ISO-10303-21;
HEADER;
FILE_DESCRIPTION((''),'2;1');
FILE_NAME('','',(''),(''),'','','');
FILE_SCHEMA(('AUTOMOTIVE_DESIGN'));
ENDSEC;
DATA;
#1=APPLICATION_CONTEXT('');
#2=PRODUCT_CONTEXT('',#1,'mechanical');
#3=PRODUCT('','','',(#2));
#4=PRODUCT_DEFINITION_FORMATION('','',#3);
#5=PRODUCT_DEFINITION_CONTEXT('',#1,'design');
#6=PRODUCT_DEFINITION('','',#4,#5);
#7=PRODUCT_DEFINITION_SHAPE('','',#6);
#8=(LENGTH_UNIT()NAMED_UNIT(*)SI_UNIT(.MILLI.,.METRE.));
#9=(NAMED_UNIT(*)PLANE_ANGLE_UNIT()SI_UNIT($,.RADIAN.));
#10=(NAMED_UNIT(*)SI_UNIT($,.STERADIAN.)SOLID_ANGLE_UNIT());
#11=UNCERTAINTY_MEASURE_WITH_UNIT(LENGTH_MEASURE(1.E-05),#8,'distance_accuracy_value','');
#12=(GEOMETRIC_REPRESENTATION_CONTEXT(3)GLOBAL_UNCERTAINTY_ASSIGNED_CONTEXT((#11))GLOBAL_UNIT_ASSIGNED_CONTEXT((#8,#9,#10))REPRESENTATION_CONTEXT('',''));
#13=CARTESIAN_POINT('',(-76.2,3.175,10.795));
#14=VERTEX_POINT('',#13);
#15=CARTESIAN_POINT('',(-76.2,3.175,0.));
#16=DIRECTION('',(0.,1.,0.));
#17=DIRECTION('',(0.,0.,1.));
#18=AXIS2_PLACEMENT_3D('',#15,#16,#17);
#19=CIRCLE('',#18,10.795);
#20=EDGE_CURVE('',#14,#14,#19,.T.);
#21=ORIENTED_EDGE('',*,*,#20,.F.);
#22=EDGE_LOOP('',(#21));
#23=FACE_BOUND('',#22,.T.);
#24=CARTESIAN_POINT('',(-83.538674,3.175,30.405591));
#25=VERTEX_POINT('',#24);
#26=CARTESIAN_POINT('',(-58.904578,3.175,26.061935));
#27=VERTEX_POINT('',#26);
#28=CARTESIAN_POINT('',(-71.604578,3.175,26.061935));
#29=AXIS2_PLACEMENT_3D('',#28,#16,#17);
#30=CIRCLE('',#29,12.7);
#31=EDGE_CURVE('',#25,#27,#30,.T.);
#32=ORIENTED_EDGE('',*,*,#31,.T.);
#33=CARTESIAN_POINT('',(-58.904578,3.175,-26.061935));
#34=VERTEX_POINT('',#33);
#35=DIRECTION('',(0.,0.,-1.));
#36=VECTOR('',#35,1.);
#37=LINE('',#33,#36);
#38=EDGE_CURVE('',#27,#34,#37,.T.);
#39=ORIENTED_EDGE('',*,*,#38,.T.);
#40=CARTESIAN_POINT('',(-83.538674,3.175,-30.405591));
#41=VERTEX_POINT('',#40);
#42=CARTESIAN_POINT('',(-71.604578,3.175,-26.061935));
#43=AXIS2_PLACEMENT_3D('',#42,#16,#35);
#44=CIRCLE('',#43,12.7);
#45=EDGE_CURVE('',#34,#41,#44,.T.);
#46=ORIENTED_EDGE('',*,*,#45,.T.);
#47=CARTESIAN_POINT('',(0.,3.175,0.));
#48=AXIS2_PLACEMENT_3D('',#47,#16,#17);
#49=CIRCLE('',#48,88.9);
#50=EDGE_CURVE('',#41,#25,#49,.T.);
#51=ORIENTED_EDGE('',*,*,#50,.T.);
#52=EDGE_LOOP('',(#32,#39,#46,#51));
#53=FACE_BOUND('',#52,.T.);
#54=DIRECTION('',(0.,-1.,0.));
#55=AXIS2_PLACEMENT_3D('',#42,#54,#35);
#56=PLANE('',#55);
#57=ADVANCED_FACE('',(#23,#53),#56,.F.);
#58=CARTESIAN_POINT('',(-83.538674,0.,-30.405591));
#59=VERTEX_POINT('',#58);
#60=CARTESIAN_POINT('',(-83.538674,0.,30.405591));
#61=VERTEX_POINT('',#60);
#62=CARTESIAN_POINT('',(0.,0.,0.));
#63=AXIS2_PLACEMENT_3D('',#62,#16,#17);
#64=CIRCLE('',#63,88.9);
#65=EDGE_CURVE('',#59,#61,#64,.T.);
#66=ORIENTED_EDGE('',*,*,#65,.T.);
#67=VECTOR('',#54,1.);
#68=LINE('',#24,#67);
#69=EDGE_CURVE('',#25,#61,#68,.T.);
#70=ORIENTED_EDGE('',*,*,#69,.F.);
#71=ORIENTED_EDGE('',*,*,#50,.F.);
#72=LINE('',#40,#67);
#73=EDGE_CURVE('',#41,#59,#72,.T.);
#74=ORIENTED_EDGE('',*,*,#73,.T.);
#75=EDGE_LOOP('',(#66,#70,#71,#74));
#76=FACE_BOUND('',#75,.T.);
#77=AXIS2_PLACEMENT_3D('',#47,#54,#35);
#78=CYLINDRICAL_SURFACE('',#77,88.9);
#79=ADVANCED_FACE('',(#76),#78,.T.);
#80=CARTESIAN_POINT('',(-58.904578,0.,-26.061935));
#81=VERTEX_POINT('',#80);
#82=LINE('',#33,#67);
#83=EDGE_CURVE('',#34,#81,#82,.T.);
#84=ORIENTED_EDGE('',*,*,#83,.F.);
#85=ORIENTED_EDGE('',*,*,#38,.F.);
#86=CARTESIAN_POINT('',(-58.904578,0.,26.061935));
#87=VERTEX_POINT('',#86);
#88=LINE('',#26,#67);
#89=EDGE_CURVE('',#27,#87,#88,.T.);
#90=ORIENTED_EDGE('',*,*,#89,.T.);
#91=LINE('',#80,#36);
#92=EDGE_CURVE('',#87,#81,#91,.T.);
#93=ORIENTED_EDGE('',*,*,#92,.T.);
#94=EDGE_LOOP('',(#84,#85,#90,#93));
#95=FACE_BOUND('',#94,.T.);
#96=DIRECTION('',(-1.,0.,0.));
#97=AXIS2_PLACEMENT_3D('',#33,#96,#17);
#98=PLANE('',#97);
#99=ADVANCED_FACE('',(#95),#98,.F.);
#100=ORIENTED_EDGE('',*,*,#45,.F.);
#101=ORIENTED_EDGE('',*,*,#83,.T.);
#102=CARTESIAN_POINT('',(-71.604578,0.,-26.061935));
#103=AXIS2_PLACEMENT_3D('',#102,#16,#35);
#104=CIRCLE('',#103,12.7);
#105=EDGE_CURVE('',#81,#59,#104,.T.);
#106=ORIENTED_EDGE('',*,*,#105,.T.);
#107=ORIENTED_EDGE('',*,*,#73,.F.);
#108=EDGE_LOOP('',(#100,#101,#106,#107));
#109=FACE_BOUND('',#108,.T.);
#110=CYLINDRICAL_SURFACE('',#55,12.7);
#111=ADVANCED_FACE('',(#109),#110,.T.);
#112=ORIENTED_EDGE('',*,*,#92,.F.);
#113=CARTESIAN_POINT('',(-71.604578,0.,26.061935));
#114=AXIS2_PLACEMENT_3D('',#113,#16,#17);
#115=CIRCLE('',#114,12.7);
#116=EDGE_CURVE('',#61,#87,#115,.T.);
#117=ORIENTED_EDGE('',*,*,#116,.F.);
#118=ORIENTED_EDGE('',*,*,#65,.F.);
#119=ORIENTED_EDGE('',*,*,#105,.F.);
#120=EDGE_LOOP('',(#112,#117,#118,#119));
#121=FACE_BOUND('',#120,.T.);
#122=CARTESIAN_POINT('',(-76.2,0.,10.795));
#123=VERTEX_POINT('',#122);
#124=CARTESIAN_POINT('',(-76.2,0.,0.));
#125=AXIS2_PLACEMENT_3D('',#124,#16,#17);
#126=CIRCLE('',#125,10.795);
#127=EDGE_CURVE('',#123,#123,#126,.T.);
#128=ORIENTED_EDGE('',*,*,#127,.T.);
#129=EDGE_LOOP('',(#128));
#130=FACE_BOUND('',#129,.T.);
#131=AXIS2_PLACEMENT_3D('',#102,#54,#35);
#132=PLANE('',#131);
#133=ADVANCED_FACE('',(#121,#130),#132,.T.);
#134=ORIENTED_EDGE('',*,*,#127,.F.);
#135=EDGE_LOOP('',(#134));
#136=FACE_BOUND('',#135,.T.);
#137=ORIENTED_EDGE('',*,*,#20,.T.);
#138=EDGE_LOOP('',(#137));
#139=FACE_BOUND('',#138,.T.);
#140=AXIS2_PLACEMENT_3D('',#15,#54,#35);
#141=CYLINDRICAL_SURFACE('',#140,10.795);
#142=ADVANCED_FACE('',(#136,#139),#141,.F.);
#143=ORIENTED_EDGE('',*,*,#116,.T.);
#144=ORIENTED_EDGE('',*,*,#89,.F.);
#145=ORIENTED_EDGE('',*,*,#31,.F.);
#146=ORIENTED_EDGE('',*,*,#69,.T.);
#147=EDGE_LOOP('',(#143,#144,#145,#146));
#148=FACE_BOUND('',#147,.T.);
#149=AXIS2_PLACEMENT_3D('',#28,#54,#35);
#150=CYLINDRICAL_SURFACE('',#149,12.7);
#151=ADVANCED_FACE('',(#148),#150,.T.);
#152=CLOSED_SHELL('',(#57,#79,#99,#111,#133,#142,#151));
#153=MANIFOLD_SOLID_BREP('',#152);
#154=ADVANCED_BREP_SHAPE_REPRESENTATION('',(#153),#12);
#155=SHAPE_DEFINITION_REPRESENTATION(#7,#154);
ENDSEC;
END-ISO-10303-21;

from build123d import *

# Parameters (mm, degrees)
SKETCH1_R           = 10.795
BOSS_EXTRUDE2_DEPTH = 3.175


with BuildPart() as part:
    # Sketch1 → Boss-Extrude2 (new body)
    with BuildSketch(Plane(origin=(0, 0, 0), x_dir=(1, 0, 0), z_dir=(0, 1, 0))):
        with BuildLine():
            Line((-58.904577704, 26.061934921), (-58.904577704, -26.061934921))
            ThreePointArc((-58.904577704, -26.061934921), (-69.399245848, -38.568993385), (-83.538673988, -30.405590742))
            ThreePointArc((-83.538673988, -30.405590742), (-88.9, 0), (-83.538673988, 30.405590742))
            ThreePointArc((-83.538673988, 30.405590742), (-69.399245848, 38.568993385), (-58.904577704, 26.061934921))
        make_face()
        with Locations((-76.2, 0)):
            Circle(SKETCH1_R, mode=Mode.SUBTRACT)
    extrude(amount=BOSS_EXTRUDE2_DEPTH)


solid = part.part
